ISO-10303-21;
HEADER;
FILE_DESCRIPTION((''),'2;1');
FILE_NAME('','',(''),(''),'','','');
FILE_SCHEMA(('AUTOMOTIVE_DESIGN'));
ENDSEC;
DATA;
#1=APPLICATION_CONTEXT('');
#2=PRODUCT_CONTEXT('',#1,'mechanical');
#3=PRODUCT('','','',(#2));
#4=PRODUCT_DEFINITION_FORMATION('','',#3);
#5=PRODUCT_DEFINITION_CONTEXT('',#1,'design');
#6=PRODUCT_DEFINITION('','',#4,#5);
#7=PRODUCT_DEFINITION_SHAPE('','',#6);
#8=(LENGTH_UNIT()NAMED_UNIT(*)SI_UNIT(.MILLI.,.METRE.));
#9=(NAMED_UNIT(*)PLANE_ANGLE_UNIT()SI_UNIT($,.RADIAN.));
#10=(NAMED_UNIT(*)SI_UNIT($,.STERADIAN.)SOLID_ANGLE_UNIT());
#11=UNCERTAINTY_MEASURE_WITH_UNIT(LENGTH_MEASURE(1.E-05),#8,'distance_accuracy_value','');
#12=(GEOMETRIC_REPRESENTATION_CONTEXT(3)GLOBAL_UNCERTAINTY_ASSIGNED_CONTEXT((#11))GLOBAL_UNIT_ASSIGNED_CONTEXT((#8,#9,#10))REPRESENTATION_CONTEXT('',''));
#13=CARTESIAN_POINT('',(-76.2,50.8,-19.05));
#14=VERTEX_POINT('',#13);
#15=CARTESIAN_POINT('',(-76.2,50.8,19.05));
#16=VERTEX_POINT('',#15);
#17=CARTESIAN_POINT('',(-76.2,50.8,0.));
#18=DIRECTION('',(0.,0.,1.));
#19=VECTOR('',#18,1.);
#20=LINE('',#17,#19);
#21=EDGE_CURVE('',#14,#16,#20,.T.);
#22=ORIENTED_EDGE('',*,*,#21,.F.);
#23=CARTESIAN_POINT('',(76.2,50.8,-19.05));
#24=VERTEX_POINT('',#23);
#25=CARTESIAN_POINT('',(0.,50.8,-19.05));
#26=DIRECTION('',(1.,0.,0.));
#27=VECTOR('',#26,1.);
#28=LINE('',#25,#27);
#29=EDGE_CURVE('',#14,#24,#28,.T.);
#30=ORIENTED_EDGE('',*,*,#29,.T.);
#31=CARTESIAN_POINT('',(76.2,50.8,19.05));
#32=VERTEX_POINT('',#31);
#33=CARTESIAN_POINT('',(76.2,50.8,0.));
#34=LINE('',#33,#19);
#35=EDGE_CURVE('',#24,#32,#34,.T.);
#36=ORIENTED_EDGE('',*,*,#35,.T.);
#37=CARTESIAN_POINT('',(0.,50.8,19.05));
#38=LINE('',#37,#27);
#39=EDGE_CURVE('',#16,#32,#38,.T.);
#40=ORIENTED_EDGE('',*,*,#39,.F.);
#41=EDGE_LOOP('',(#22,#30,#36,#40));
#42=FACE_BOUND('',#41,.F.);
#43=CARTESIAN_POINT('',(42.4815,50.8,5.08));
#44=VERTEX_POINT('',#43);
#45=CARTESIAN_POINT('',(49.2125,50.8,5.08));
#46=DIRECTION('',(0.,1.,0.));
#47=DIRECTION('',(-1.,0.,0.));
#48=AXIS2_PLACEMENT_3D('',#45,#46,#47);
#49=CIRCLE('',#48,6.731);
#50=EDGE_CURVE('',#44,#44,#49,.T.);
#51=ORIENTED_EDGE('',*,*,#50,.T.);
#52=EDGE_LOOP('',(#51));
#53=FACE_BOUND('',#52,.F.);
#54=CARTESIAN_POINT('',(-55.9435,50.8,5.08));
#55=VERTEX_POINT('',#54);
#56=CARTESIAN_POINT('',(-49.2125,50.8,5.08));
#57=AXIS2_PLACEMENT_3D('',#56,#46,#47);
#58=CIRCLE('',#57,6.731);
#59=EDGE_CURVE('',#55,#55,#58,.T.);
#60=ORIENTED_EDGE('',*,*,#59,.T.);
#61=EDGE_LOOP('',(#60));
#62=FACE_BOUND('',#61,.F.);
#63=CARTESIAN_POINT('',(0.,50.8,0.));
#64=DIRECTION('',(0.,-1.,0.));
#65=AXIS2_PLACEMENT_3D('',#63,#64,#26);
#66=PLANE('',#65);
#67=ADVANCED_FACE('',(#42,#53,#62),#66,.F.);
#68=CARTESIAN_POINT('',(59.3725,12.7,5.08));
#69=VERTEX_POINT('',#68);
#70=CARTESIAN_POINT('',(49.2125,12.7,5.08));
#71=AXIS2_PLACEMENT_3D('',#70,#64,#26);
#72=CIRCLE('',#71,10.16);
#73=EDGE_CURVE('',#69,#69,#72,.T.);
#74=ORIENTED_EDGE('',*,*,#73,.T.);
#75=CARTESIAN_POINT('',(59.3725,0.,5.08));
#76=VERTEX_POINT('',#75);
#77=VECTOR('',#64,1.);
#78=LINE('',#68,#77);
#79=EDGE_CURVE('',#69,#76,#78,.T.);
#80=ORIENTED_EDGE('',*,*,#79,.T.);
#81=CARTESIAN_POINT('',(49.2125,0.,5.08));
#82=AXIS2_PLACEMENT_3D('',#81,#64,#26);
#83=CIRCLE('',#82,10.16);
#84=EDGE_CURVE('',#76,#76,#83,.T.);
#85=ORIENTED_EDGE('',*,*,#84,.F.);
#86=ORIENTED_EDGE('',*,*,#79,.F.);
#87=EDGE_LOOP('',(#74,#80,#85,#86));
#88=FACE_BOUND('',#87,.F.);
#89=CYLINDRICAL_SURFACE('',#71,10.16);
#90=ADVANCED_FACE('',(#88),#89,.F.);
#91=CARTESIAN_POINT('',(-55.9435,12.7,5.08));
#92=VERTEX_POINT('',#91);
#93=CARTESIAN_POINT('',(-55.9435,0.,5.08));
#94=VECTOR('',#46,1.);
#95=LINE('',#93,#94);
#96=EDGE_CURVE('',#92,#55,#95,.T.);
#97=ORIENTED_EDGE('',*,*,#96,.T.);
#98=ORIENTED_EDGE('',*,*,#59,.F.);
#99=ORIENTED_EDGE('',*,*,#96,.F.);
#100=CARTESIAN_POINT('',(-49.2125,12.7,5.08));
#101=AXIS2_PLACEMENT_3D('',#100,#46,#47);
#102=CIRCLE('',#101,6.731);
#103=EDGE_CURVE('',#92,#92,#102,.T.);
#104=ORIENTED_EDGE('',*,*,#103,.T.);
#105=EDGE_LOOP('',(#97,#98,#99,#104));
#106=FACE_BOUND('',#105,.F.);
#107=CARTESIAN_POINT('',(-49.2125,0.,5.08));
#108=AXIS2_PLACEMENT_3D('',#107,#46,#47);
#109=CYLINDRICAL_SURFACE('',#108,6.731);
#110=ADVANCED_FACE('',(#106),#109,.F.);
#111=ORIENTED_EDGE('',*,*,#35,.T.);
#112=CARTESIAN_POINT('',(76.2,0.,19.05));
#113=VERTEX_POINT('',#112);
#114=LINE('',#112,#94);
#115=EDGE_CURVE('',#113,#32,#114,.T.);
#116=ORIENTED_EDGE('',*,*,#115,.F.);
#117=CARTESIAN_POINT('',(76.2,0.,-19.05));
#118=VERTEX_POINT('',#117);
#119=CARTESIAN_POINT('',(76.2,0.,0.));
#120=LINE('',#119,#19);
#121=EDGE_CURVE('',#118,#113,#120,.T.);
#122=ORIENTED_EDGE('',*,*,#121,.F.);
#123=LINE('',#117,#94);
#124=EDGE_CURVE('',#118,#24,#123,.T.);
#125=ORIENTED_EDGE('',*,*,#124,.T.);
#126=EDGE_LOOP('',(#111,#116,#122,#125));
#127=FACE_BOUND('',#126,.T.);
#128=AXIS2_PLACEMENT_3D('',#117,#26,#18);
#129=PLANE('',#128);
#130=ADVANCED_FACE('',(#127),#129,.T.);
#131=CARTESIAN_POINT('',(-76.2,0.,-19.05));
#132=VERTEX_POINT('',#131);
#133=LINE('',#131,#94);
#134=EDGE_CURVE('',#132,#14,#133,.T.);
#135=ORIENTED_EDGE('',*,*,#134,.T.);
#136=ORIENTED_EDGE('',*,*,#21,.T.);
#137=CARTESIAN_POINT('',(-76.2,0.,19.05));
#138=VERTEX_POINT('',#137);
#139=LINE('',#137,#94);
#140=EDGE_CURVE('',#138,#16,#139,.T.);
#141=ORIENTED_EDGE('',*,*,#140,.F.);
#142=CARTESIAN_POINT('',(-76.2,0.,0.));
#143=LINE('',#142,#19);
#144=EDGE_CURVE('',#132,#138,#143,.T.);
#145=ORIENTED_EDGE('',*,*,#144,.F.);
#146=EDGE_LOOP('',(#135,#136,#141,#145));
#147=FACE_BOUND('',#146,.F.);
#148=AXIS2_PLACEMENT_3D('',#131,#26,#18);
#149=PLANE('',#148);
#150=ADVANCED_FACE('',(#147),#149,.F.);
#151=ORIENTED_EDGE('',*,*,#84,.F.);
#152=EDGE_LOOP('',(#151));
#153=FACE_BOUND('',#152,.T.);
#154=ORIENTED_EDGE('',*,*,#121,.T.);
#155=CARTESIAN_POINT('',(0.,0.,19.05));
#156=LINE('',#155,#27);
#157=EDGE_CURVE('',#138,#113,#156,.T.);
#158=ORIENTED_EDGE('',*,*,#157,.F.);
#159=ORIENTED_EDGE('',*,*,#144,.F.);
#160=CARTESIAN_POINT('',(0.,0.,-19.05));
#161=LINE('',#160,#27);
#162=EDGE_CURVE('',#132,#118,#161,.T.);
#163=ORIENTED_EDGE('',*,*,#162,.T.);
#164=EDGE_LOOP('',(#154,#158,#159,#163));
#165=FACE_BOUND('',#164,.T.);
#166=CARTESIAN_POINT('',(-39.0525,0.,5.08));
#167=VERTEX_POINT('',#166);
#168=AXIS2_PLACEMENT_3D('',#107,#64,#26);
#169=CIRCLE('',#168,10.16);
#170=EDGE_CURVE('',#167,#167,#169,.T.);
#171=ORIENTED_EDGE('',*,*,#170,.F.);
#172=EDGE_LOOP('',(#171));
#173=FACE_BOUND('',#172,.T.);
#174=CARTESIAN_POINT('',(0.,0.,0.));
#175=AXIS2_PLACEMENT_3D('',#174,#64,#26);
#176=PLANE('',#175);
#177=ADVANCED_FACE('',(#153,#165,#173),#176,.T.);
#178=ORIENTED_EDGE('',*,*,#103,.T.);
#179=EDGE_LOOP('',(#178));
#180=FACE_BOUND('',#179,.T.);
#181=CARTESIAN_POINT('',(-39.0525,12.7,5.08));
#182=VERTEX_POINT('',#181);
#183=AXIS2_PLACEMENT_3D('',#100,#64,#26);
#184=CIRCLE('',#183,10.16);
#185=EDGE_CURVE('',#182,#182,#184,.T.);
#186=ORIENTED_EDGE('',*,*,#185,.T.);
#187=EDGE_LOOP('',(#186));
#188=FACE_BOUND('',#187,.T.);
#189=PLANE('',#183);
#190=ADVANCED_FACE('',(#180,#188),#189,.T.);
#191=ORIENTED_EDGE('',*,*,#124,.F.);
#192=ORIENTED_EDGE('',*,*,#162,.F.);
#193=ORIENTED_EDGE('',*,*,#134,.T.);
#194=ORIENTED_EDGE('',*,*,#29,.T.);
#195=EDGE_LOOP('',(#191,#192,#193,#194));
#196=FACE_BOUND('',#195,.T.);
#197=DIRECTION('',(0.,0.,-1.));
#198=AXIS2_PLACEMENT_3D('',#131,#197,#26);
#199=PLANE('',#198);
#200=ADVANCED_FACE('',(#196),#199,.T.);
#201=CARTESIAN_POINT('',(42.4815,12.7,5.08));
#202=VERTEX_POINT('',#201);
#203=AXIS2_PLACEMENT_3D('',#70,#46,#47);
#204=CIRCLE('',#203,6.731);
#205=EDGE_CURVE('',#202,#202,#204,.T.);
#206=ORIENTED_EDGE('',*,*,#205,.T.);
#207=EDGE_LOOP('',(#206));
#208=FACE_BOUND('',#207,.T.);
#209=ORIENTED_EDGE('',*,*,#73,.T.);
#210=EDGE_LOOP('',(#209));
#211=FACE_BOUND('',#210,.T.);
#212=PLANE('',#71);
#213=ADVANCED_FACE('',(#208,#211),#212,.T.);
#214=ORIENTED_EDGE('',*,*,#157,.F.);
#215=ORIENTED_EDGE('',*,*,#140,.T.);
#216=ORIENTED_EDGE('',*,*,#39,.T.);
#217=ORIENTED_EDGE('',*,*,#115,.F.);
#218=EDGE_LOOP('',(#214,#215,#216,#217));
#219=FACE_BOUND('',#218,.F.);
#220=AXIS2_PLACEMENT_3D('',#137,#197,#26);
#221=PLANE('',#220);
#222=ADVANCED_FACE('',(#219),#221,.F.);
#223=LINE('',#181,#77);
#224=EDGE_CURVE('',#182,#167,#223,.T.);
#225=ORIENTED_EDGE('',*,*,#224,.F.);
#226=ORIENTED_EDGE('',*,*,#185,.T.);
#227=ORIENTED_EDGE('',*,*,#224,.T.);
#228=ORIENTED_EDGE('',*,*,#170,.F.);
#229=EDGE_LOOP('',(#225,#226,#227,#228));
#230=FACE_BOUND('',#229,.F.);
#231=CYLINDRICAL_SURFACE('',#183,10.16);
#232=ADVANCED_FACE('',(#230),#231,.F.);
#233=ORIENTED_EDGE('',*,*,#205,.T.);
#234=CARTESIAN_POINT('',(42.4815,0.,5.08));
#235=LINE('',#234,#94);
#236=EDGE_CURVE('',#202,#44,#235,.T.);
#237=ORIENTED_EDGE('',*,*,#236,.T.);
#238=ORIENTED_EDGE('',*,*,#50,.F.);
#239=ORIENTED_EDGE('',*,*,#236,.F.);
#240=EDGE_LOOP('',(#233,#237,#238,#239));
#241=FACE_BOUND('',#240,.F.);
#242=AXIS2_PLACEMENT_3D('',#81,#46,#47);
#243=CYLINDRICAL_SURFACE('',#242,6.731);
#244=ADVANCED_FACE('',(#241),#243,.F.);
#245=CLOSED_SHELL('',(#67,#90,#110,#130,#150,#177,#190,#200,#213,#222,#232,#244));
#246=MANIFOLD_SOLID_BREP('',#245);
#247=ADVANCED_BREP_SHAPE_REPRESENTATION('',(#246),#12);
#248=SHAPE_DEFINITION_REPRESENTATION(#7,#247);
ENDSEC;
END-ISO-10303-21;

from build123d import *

# Parameters (mm, degrees)
F0_W           = 152.4
F0_H           = 38.1
F1_DEPTH       = 50.8
F2_D           = 13.462
F2_CBORE_D     = 20.32
F2_CBORE_DEPTH = 12.7


with BuildPart() as f1:
    # F0 (on Front) → F1 (new body)
    with BuildSketch(Plane.XZ):
        Rectangle(F0_W, F0_H)
    extrude(amount=-F1_DEPTH)

    # F2 (through all)
    with Locations(Plane.XZ):
        with Locations((49.2125, 5.08), (-49.2125, 5.08)):
            CounterBoreHole(F2_D / 2, F2_CBORE_D / 2, F2_CBORE_DEPTH)


solid = f1.part
